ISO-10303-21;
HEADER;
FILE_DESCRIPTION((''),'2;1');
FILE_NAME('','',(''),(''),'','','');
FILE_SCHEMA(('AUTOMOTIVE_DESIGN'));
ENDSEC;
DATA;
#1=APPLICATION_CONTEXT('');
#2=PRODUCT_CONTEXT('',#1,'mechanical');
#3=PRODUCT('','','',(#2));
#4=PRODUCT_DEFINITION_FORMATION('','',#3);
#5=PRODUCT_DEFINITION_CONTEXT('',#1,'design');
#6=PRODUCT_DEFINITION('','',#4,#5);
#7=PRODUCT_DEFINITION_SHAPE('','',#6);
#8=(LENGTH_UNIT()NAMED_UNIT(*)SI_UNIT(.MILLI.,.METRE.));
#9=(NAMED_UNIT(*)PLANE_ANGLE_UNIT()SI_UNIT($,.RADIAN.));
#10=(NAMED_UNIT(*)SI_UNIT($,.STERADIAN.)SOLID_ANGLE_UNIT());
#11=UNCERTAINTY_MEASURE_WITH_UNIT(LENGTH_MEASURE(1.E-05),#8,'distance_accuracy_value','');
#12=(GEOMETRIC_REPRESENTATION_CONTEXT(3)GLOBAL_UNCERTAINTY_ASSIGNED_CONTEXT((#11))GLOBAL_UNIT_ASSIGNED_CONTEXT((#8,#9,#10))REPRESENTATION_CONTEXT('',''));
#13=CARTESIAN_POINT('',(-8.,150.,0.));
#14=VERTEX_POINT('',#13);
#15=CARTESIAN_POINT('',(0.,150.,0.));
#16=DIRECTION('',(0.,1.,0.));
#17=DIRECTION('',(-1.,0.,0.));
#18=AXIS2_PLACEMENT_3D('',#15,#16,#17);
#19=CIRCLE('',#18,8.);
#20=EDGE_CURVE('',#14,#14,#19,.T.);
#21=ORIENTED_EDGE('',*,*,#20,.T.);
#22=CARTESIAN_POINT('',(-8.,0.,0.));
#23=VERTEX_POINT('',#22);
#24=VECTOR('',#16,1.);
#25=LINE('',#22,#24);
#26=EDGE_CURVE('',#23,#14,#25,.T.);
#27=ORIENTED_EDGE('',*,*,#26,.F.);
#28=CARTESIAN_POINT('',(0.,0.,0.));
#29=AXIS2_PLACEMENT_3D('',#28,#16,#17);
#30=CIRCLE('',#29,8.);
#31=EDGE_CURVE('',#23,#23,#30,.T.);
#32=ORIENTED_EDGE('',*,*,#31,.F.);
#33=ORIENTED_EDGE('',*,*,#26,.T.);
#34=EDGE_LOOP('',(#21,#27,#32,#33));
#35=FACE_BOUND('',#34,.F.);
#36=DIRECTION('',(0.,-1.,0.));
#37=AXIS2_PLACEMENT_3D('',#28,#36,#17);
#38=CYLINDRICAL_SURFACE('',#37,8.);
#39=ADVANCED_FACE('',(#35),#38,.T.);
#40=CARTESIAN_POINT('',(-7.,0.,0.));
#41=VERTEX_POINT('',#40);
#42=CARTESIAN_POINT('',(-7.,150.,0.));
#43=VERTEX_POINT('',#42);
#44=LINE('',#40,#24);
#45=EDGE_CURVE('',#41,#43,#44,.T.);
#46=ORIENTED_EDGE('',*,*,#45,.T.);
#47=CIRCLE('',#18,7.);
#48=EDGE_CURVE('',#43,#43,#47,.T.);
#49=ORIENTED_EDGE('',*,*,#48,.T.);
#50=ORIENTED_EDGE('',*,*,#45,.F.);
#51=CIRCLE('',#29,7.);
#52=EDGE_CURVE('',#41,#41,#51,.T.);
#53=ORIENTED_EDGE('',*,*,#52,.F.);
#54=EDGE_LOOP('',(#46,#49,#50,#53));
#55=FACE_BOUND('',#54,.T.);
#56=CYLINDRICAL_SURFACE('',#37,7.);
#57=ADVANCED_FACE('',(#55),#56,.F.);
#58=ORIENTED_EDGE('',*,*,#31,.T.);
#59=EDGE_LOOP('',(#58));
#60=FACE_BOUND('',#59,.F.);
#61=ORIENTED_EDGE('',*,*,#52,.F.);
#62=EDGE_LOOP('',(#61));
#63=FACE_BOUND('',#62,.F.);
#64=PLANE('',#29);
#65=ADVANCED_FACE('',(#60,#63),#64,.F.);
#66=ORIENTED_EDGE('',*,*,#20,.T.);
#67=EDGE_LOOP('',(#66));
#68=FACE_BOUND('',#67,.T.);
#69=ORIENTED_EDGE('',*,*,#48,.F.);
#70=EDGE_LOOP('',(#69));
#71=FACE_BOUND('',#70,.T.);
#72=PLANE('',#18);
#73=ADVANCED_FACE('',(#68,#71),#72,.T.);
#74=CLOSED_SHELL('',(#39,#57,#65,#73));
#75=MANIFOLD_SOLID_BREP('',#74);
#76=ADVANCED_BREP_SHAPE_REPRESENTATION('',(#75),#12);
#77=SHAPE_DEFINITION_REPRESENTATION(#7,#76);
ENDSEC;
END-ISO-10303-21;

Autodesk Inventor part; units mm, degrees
ref_plane "YZ Plane" through (0, 0, 0) normal (1, 0, 0) x (0, 1, 0)
ref_plane "XZ Plane" through (0, 0, 0) normal (0, 1, 0) x (-1, 0, 0)
ref_plane "XY Plane" through (0, 0, 0) normal (0, 0, 1) x (1, 0, 0)
sketch "Sketch1" plane through (0, 0, 0) normal (0, 1, 0) x (-1, 0, 0)
  circle A0 centre (0, 0) radius 7
  circle A1 centre (0, 0) radius 8
  dimension "d0" = 14
  dimension "d1" = 16
extrude "Extrusion1" add sketch "Sketch1" along normal blind 150
properties part number "Carbon Fiber Round Tube 330x16x14mm" material "PET Plastic"
